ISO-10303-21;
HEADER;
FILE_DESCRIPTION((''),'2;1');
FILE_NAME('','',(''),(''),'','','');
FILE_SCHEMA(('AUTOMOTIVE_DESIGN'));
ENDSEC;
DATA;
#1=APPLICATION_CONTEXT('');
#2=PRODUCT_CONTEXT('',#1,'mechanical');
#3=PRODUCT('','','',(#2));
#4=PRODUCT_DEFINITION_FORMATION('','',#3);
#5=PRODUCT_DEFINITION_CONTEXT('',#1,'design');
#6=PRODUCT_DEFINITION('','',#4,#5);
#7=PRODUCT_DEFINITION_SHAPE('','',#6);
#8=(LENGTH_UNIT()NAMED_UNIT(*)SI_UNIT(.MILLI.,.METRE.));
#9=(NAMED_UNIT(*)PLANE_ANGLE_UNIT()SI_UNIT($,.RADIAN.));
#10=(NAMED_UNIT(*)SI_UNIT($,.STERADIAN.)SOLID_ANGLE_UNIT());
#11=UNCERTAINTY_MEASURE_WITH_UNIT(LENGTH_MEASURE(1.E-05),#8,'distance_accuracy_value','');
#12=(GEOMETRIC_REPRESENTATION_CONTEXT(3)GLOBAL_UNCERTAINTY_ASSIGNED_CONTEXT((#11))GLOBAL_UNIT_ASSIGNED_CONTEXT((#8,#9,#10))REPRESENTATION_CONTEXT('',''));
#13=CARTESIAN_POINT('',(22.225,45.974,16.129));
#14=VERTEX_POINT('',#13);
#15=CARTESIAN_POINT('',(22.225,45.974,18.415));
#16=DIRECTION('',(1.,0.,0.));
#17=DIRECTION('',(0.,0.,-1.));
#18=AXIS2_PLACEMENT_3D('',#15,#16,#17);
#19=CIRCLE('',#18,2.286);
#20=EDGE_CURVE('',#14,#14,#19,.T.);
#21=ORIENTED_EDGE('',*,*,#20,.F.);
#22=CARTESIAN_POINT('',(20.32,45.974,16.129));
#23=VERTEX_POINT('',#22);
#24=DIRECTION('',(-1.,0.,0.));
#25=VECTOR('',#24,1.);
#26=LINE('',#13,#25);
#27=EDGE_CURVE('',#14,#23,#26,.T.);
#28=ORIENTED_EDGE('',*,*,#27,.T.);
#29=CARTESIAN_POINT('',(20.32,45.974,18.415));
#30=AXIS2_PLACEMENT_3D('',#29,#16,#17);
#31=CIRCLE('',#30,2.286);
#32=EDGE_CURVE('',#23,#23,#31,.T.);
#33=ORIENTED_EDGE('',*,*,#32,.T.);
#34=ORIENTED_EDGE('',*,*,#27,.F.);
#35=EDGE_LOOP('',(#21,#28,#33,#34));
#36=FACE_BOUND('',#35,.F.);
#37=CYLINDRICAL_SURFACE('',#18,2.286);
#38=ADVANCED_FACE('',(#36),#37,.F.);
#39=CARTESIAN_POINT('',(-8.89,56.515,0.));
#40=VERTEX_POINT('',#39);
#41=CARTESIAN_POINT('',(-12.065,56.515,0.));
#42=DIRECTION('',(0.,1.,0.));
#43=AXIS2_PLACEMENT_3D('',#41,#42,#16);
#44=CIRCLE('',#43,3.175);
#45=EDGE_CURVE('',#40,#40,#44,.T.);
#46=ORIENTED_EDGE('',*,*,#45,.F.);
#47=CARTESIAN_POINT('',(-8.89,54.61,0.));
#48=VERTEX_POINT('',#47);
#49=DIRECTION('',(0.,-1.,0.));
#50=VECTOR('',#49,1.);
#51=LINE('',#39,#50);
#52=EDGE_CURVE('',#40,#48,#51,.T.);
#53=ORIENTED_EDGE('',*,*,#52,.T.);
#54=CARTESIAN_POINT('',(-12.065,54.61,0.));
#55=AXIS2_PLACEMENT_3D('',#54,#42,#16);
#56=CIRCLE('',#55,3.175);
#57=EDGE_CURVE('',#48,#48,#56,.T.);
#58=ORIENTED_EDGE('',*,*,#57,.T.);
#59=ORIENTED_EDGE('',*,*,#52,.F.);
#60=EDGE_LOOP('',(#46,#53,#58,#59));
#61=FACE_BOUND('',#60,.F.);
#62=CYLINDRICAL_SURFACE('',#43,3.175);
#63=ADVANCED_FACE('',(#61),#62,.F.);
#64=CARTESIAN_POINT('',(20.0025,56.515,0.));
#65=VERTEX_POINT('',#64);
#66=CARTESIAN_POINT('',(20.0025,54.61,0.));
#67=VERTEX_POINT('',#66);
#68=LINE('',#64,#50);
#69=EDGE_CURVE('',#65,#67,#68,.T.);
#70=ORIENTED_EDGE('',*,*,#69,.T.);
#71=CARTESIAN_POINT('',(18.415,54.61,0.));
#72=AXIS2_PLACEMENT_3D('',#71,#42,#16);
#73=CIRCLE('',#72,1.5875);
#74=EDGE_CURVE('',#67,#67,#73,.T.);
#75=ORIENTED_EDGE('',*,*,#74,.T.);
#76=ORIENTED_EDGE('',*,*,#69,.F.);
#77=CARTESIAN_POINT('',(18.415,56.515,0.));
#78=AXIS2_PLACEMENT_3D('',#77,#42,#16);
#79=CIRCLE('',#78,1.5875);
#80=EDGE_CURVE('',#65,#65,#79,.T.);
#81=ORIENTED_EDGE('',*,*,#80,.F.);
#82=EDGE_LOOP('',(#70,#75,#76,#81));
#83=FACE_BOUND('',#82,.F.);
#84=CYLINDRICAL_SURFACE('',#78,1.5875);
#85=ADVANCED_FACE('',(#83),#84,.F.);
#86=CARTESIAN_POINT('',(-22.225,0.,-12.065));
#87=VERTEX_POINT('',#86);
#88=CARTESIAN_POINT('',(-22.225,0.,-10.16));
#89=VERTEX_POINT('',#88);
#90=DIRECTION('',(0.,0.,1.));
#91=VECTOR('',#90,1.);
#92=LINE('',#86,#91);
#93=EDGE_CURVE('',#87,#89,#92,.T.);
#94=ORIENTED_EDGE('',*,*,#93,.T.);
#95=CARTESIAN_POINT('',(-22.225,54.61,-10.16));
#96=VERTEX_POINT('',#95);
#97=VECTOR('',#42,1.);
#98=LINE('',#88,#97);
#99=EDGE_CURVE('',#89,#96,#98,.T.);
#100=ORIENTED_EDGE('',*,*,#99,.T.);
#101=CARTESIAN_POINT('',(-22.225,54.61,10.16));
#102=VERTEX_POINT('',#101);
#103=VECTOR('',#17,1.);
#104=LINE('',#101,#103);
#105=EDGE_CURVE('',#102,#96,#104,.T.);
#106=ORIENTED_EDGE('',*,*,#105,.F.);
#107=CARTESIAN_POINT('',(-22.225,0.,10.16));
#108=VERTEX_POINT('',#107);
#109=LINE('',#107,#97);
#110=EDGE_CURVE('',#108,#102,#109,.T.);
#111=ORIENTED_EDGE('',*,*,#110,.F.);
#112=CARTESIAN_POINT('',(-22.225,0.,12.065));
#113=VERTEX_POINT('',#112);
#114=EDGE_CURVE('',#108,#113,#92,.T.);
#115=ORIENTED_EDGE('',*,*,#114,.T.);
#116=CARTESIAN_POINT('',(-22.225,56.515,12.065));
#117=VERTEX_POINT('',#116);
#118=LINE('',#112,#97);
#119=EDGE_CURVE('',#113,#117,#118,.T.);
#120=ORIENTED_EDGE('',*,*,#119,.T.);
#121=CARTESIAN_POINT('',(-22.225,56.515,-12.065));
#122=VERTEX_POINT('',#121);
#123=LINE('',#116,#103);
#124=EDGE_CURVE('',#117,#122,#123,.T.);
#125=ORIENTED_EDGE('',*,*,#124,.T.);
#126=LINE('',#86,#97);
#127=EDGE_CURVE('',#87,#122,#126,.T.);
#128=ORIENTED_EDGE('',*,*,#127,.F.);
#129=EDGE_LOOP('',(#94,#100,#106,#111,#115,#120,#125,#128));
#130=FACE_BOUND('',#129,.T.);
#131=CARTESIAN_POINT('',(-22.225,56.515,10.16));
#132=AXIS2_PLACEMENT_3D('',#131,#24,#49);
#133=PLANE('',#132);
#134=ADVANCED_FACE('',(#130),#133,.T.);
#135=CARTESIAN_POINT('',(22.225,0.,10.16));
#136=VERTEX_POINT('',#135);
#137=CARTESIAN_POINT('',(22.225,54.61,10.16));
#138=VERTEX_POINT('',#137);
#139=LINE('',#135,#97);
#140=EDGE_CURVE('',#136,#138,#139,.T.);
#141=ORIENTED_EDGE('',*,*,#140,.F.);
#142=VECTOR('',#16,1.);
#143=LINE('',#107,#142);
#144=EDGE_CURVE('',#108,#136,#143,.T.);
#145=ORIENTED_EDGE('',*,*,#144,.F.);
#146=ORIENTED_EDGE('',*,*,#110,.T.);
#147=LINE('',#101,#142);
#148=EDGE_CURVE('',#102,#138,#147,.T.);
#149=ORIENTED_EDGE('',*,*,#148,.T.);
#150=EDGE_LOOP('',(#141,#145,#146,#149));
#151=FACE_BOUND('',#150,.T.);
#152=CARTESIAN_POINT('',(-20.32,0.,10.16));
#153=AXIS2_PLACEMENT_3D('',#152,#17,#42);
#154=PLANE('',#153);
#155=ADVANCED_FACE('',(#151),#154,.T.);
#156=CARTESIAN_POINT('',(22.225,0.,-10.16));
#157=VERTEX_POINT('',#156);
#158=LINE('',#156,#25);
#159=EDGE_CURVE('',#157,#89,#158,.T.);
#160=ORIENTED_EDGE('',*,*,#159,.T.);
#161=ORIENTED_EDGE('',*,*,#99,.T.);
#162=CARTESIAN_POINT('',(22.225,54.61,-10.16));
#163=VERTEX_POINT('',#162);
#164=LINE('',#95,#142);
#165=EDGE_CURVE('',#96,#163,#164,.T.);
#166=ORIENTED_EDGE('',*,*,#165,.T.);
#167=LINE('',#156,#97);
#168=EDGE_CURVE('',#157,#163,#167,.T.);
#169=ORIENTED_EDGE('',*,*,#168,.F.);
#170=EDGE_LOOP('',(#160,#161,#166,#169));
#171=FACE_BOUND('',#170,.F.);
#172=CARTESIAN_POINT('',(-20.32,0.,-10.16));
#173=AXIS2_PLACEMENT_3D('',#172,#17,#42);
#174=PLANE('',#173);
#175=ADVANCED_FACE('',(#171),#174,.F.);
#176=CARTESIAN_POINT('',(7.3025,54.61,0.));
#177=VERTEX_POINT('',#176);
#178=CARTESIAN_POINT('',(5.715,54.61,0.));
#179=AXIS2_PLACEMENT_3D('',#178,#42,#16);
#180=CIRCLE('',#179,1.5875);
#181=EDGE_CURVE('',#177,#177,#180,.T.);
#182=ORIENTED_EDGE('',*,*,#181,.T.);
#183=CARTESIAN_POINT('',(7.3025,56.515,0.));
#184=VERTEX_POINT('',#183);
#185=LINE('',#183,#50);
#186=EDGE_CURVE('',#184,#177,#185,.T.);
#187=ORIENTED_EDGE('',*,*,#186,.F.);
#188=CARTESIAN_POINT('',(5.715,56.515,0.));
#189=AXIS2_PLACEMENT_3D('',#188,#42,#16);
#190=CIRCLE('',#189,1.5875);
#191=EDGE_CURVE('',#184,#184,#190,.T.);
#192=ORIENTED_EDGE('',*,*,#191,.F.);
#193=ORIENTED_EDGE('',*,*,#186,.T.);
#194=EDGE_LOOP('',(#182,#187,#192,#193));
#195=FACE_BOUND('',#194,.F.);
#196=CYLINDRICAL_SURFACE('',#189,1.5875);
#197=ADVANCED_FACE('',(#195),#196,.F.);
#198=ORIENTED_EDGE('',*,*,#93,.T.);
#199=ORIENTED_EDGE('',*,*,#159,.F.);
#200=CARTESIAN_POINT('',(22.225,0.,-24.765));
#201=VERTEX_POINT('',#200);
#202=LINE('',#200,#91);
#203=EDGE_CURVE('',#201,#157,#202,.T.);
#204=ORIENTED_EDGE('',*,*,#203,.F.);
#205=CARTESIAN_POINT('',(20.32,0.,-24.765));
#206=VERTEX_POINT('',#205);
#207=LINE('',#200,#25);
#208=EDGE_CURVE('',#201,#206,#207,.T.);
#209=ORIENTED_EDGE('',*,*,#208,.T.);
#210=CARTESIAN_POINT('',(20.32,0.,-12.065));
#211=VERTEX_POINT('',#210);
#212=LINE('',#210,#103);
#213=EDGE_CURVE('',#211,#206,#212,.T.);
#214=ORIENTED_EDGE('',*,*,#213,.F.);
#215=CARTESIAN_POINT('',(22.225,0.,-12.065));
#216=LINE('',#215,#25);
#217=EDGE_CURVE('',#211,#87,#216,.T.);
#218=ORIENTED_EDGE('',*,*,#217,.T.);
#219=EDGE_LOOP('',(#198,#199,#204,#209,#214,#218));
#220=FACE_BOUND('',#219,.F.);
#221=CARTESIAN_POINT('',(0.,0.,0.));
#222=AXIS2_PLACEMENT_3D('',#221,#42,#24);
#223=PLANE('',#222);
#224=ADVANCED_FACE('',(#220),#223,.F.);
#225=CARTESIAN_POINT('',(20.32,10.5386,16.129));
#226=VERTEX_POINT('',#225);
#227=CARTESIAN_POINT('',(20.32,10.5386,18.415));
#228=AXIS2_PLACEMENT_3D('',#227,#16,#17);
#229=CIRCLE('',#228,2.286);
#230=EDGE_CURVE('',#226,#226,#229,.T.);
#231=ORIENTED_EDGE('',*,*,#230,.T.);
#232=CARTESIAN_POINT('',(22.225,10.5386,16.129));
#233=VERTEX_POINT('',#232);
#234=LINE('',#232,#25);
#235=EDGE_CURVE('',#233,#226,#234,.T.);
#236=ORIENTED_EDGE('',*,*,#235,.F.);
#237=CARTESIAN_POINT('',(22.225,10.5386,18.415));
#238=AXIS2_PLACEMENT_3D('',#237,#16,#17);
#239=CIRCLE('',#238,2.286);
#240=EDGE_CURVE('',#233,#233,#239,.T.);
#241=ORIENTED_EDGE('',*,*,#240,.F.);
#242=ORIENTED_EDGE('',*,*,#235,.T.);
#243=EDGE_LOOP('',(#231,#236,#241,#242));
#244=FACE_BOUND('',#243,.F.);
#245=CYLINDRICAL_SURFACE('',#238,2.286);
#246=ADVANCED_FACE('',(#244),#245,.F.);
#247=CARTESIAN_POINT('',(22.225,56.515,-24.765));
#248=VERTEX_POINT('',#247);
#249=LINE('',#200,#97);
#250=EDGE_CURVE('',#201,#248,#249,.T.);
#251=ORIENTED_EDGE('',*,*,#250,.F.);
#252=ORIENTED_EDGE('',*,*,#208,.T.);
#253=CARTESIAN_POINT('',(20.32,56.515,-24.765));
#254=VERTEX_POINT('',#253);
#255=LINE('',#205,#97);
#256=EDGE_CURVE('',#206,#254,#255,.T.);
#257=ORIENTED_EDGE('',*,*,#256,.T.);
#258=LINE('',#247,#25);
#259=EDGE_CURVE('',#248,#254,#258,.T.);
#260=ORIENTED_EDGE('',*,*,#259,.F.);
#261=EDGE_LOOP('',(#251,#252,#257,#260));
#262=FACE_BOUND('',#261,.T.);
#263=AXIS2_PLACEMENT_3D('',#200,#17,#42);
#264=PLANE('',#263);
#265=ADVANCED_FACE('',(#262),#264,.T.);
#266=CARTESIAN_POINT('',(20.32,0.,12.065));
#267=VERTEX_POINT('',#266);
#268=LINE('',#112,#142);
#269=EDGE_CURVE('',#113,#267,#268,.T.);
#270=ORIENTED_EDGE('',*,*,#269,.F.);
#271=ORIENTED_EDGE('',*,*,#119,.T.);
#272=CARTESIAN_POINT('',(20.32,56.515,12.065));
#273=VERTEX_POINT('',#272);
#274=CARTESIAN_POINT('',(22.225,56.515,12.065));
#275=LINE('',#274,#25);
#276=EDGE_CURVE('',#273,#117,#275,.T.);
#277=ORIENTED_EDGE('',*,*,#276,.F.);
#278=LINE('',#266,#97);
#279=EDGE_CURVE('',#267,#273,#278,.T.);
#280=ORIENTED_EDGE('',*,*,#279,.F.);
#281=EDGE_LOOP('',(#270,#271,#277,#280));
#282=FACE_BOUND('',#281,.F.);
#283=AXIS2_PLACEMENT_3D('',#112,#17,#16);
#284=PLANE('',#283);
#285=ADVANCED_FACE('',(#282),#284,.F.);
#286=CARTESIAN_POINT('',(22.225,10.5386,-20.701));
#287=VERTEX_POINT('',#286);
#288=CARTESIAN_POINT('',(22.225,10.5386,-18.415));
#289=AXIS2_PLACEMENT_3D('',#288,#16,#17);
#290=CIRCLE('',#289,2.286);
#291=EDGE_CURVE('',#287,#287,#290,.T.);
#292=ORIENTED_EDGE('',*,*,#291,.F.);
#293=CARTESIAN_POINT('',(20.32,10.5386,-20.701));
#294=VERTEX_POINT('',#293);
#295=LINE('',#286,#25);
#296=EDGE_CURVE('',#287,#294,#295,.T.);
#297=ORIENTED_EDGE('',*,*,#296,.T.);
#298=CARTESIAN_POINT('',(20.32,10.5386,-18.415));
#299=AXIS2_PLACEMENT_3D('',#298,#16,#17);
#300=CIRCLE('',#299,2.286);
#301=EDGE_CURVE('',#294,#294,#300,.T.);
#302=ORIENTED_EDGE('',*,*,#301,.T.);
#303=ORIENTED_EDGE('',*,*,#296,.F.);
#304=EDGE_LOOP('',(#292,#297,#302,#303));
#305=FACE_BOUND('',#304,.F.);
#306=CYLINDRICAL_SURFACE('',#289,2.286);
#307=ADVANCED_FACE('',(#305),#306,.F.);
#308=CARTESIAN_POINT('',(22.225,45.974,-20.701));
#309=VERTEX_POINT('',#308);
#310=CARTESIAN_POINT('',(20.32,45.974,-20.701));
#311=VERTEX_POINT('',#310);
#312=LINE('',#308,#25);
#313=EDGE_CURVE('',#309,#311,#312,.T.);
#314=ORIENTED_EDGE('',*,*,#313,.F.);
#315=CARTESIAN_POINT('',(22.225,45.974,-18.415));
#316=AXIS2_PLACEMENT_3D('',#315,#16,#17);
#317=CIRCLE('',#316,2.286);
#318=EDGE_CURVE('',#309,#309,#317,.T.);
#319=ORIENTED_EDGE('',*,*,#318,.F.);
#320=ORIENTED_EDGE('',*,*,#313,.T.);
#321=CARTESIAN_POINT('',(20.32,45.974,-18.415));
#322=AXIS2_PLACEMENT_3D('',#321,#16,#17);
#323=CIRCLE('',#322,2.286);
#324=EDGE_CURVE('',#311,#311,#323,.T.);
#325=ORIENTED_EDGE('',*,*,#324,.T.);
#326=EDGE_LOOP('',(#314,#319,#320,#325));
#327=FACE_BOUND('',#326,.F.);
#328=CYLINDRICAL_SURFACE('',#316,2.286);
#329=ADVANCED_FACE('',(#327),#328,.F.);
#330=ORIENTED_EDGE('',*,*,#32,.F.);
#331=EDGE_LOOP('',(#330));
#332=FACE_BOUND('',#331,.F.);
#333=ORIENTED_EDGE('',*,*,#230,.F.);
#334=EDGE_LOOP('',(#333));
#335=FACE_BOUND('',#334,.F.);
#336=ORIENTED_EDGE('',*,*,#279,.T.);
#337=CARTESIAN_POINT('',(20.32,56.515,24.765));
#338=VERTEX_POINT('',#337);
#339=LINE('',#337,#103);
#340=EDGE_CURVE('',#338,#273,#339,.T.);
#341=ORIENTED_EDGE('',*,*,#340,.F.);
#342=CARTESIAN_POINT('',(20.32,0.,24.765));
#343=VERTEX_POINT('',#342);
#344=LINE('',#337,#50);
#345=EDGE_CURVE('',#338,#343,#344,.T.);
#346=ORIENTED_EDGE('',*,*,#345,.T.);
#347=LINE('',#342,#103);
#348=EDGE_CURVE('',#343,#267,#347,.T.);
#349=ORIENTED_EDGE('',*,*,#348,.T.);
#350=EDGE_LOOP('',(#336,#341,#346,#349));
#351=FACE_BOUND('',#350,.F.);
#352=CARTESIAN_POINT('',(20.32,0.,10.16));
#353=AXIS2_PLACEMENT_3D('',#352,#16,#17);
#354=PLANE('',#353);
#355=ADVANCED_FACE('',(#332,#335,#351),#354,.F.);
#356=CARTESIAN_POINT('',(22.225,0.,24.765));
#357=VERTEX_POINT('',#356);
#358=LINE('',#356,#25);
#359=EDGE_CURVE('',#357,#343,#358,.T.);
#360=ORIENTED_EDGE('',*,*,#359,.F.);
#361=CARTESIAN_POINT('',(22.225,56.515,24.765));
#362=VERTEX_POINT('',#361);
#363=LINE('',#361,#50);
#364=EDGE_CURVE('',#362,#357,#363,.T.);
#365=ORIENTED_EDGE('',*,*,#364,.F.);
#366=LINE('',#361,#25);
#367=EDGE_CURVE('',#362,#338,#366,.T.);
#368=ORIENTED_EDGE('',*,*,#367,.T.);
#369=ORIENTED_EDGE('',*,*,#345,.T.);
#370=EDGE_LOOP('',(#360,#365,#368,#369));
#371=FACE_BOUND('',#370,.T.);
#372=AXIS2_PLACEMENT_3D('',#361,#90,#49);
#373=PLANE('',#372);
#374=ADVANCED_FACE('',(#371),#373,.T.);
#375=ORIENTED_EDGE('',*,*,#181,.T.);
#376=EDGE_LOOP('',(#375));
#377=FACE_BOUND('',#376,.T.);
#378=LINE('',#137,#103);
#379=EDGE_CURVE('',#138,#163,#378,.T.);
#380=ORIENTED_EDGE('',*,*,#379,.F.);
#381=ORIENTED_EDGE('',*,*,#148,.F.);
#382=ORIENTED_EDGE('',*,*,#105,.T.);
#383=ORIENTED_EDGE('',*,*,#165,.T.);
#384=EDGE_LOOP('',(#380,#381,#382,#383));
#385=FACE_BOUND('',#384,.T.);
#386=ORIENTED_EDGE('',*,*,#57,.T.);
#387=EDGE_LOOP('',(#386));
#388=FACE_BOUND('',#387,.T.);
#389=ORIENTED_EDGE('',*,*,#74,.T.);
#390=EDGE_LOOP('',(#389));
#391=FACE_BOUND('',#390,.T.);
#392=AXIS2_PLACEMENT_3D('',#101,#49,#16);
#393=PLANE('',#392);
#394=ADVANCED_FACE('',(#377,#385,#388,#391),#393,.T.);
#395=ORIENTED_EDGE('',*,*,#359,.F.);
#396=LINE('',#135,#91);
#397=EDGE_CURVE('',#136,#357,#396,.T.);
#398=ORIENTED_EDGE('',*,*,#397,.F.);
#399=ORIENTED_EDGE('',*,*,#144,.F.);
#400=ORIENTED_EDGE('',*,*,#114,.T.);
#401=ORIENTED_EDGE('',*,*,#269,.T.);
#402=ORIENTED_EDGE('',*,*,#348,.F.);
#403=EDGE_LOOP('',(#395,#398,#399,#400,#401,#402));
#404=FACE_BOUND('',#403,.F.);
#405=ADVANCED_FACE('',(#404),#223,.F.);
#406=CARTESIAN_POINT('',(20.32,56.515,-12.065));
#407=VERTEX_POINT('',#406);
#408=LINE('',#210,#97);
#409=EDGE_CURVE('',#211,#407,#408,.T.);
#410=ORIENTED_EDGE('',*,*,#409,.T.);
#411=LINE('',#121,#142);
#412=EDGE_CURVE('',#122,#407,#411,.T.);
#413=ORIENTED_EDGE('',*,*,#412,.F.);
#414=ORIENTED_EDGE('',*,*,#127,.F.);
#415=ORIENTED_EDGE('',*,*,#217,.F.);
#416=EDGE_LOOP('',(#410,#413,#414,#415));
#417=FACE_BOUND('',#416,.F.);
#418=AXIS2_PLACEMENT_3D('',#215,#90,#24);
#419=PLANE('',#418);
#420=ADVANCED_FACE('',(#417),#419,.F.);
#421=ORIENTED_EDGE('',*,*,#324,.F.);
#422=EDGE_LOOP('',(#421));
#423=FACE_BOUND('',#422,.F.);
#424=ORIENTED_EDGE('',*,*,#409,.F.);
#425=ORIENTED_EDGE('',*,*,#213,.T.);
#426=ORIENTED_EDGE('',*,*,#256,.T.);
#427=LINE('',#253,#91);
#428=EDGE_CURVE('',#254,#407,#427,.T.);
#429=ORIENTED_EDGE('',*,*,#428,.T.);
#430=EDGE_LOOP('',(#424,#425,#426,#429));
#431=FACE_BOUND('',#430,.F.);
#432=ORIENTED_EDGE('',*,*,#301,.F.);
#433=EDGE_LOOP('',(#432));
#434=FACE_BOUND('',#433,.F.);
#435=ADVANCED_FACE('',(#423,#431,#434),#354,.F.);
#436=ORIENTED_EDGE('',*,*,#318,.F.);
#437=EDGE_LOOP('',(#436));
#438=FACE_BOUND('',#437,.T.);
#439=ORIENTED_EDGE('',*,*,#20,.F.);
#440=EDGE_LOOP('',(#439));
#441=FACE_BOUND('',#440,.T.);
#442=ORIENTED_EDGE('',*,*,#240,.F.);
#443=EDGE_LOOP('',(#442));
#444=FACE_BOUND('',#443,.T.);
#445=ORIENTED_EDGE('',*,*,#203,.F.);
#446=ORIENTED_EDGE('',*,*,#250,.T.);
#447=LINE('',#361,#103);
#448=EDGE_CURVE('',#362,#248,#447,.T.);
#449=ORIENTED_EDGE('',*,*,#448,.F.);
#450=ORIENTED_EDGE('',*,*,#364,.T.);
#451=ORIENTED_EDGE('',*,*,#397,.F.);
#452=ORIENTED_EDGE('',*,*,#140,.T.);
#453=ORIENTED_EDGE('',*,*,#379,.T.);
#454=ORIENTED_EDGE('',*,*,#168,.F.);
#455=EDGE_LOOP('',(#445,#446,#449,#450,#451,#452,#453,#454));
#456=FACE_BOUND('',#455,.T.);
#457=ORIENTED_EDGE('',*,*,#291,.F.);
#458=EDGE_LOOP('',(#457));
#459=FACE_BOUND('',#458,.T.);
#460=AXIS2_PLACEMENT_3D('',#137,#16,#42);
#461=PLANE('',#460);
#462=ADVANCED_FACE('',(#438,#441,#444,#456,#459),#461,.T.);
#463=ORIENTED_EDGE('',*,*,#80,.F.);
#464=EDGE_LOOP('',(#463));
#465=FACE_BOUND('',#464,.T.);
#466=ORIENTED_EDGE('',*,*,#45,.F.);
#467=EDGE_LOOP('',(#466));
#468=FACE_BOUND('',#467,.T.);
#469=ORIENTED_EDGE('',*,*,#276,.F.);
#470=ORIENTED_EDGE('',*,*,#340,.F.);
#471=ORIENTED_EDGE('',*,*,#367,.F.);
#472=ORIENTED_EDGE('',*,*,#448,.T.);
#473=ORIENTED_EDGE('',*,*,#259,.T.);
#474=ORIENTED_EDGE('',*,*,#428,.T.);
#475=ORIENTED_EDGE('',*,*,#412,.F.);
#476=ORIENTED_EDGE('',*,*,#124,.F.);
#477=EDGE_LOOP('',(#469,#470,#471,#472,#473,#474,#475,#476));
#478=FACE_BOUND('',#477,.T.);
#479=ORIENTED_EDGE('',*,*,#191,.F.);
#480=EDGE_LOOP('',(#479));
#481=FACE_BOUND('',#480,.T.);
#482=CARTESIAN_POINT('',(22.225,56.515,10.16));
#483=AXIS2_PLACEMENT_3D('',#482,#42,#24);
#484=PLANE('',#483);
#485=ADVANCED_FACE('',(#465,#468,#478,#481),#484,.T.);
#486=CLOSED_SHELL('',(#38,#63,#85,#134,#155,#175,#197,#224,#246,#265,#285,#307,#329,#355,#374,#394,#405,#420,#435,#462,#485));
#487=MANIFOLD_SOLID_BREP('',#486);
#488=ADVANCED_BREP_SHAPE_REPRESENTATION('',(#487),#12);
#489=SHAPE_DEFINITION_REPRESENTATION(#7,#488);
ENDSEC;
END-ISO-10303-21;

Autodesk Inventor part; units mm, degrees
ref_plane "YZ Plane" through (0, 0, 0) normal (1, 0, 0) x (0, 1, 0)
ref_plane "XZ Plane" through (0, 0, 0) normal (0, 1, 0) x (-1, 0, 0)
ref_plane "XY Plane" through (0, 0, 0) normal (0, 0, 1) x (1, 0, 0)
sketch "Sketch1" plane through (0, 0, 0) normal (0, 1, 0) x (-1, 0, 0)
  line L0 (20.32, 10.16) -> (-20.32, 10.16)
  line L1 (-20.32, 10.16) -> (-20.32, -10.16)
  line L2 (-20.32, -10.16) -> (20.32, -10.16)
  line L3 (20.32, -10.16) -> (20.32, 10.16)
  line L4 (22.225, 12.065) -> (-22.225, 12.065)
  line L5 (-22.225, 12.065) -> (-22.225, -12.065)
  line L6 (-22.225, -12.065) -> (22.225, -12.065)
  line L7 (22.225, -12.065) -> (22.225, 12.065)
  point P0 (0, 0)
  dimension "d0" = 40.64
  dimension "d1" = 20.32
  dimension "d2" = 40.64
  dimension "d3" = 44.45
  dimension "d4" = 24.13
  dimension "d5" = 44.45
extrude "Extrusion1" add sketch "Sketch1" along normal blind 56.515
sketch "Sketch2" plane through (-20.32, 0, -10.16) normal (1, 0, 0) x (0, 0, -1)
  line L0 (0, 0) -> (-20.32, 0) projected
  line L1 (0, 0) -> (0, 56.515) projected
  line L2 (-20.32, 56.515) -> (0, 56.515) projected
  line L3 (-20.32, 0) -> (-20.32, 56.515) projected
  point P0 (-10.16, 0)
extrude "Extrusion2" cut sketch "Sketch2" against normal blind 56.515
sketch "Sketch3" plane through (20.32, 0, 10.16) normal (-1, 0, 0) x (0, 0, 1)
  line L0 (0, 0) -> (-20.32, 0) projected
  line L1 (0, 0) -> (0, 56.515) projected
  line L2 (-20.32, 56.515) -> (0, 56.515) projected
  line L3 (-20.32, 0) -> (-20.32, 56.515) projected
  point P0 (-10.16, 0)
extrude "Extrusion3" cut sketch "Sketch3" against normal blind 56.515
sketch "Sketch4" plane through (22.225, 0, 10.16) normal (0, 0, -1) x (-1, 0, 0)
  line L0 (44.45, 56.515) -> (44.45, 0) projected
  line L1 (0, 56.515) -> (44.45, 56.515) projected
  line L2 (0, 0) -> (0, 56.515) projected
  line L3 (44.45, 54.61) -> (0, 54.61)
  point P0 (22.225, 0)
extrude "Extrusion4" add sketch "Sketch4" along normal blind 20.32
sketch "Sketch7" plane through (0, 56.515, 0) normal (0, 1, 0) x (1, 0, 0)
  circle A0 centre (18.415, 0) radius 1.5875
  circle A1 centre (5.715, 0) radius 1.5875
  circle A2 centre (-12.065, 0) radius 3.175
  point P0 (0, 0)
  dimension "d18" = 3.175
  dimension "d19" = 3.175
  dimension "d20" = 6.35
extrude "Extrusion7" cut sketch "Sketch7" against normal blind 15.24
sketch "Sketch10" plane through (0, 56.515, 0) normal (0, 1, 0) x (1, 0, 0)
  circle A0 centre (-12.065, 0) radius 3.175 projected
  line L0 (-22.225, 12.065) -> (-22.225, -12.065) projected
  line L1 (-22.225, -12.065) -> (22.225, -12.065) projected
  line L2 (22.225, 12.065) -> (-22.225, 12.065) projected
  line L3 (1.905, 12.065) -> (1.905, -12.065)
  point P0 (0, 0)
extrude "Extrusion10" cut sketch "Sketch10" along normal blind 19.05
sketch "Sketch11" plane through (22.225, 0, 10.16) normal (1, 0, 0) x (0, 0, -1)
  line L0 (0, 0) -> (0, 54.61) projected
  line L1 (0, 54.61) -> (20.32, 54.61) projected
  line L2 (20.32, 54.61) -> (20.32, 0) projected
  line L3 (20.32, 0) -> (22.225, 0) projected
  line L4 (22.225, 0) -> (22.225, 56.515) projected
  line L5 (-1.905, 56.515) -> (22.225, 56.515) projected
  line L6 (-1.905, 0) -> (-1.905, 56.515) projected
  line L7 (-1.905, 0) -> (0, 0) projected
  line L8 (-1.905, 0) -> (-1.905, 56.515)
  line L9 (-1.905, 56.515) -> (-14.605, 56.515)
  line L10 (-14.605, 56.515) -> (-14.605, 0)
  line L11 (-14.605, 0) -> (-1.905, 0)
  line L12 (22.225, 0) -> (34.925, 0)
  line L13 (34.925, 0) -> (34.925, 56.515)
  line L14 (34.925, 56.515) -> (22.225, 56.515)
  line L15 (22.225, 0) -> (22.225, 56.515)
  line L16 (22.225, 0) -> (22.225, 56.515) projected
  line L17 (-14.605, 56.515) -> (-8.255, 56.515)
  circle A0 centre (-8.255, 10.5386) radius 2.286
  circle A1 centre (-8.255, 45.974) radius 2.286
  circle A2 centre (28.575, 45.974) radius 2.286
  circle A3 centre (28.575, 10.5386) radius 2.286
  point P0 (10.16, 0)
  dimension "d38" = 12.7
  dimension "d39" = 12.7
  dimension "d42" = 4.572
  dimension "d44" = 4.572
  dimension "d45" = 4.572
  dimension "d46" = 4.572
extrude "Extrusion11" add sketch "Sketch11" against normal blind 1.905 contours L11 L10 L9 L6 | L14 L13 L12 L4 | A0 | A1 | A2 | A3
extrude "Extrusion12" cut sketch "Sketch11" against normal blind 6.35 contours A0 | A1 | A2 | A3
properties part number "Autonomous - Ultrasonic Servo Mount V2"
